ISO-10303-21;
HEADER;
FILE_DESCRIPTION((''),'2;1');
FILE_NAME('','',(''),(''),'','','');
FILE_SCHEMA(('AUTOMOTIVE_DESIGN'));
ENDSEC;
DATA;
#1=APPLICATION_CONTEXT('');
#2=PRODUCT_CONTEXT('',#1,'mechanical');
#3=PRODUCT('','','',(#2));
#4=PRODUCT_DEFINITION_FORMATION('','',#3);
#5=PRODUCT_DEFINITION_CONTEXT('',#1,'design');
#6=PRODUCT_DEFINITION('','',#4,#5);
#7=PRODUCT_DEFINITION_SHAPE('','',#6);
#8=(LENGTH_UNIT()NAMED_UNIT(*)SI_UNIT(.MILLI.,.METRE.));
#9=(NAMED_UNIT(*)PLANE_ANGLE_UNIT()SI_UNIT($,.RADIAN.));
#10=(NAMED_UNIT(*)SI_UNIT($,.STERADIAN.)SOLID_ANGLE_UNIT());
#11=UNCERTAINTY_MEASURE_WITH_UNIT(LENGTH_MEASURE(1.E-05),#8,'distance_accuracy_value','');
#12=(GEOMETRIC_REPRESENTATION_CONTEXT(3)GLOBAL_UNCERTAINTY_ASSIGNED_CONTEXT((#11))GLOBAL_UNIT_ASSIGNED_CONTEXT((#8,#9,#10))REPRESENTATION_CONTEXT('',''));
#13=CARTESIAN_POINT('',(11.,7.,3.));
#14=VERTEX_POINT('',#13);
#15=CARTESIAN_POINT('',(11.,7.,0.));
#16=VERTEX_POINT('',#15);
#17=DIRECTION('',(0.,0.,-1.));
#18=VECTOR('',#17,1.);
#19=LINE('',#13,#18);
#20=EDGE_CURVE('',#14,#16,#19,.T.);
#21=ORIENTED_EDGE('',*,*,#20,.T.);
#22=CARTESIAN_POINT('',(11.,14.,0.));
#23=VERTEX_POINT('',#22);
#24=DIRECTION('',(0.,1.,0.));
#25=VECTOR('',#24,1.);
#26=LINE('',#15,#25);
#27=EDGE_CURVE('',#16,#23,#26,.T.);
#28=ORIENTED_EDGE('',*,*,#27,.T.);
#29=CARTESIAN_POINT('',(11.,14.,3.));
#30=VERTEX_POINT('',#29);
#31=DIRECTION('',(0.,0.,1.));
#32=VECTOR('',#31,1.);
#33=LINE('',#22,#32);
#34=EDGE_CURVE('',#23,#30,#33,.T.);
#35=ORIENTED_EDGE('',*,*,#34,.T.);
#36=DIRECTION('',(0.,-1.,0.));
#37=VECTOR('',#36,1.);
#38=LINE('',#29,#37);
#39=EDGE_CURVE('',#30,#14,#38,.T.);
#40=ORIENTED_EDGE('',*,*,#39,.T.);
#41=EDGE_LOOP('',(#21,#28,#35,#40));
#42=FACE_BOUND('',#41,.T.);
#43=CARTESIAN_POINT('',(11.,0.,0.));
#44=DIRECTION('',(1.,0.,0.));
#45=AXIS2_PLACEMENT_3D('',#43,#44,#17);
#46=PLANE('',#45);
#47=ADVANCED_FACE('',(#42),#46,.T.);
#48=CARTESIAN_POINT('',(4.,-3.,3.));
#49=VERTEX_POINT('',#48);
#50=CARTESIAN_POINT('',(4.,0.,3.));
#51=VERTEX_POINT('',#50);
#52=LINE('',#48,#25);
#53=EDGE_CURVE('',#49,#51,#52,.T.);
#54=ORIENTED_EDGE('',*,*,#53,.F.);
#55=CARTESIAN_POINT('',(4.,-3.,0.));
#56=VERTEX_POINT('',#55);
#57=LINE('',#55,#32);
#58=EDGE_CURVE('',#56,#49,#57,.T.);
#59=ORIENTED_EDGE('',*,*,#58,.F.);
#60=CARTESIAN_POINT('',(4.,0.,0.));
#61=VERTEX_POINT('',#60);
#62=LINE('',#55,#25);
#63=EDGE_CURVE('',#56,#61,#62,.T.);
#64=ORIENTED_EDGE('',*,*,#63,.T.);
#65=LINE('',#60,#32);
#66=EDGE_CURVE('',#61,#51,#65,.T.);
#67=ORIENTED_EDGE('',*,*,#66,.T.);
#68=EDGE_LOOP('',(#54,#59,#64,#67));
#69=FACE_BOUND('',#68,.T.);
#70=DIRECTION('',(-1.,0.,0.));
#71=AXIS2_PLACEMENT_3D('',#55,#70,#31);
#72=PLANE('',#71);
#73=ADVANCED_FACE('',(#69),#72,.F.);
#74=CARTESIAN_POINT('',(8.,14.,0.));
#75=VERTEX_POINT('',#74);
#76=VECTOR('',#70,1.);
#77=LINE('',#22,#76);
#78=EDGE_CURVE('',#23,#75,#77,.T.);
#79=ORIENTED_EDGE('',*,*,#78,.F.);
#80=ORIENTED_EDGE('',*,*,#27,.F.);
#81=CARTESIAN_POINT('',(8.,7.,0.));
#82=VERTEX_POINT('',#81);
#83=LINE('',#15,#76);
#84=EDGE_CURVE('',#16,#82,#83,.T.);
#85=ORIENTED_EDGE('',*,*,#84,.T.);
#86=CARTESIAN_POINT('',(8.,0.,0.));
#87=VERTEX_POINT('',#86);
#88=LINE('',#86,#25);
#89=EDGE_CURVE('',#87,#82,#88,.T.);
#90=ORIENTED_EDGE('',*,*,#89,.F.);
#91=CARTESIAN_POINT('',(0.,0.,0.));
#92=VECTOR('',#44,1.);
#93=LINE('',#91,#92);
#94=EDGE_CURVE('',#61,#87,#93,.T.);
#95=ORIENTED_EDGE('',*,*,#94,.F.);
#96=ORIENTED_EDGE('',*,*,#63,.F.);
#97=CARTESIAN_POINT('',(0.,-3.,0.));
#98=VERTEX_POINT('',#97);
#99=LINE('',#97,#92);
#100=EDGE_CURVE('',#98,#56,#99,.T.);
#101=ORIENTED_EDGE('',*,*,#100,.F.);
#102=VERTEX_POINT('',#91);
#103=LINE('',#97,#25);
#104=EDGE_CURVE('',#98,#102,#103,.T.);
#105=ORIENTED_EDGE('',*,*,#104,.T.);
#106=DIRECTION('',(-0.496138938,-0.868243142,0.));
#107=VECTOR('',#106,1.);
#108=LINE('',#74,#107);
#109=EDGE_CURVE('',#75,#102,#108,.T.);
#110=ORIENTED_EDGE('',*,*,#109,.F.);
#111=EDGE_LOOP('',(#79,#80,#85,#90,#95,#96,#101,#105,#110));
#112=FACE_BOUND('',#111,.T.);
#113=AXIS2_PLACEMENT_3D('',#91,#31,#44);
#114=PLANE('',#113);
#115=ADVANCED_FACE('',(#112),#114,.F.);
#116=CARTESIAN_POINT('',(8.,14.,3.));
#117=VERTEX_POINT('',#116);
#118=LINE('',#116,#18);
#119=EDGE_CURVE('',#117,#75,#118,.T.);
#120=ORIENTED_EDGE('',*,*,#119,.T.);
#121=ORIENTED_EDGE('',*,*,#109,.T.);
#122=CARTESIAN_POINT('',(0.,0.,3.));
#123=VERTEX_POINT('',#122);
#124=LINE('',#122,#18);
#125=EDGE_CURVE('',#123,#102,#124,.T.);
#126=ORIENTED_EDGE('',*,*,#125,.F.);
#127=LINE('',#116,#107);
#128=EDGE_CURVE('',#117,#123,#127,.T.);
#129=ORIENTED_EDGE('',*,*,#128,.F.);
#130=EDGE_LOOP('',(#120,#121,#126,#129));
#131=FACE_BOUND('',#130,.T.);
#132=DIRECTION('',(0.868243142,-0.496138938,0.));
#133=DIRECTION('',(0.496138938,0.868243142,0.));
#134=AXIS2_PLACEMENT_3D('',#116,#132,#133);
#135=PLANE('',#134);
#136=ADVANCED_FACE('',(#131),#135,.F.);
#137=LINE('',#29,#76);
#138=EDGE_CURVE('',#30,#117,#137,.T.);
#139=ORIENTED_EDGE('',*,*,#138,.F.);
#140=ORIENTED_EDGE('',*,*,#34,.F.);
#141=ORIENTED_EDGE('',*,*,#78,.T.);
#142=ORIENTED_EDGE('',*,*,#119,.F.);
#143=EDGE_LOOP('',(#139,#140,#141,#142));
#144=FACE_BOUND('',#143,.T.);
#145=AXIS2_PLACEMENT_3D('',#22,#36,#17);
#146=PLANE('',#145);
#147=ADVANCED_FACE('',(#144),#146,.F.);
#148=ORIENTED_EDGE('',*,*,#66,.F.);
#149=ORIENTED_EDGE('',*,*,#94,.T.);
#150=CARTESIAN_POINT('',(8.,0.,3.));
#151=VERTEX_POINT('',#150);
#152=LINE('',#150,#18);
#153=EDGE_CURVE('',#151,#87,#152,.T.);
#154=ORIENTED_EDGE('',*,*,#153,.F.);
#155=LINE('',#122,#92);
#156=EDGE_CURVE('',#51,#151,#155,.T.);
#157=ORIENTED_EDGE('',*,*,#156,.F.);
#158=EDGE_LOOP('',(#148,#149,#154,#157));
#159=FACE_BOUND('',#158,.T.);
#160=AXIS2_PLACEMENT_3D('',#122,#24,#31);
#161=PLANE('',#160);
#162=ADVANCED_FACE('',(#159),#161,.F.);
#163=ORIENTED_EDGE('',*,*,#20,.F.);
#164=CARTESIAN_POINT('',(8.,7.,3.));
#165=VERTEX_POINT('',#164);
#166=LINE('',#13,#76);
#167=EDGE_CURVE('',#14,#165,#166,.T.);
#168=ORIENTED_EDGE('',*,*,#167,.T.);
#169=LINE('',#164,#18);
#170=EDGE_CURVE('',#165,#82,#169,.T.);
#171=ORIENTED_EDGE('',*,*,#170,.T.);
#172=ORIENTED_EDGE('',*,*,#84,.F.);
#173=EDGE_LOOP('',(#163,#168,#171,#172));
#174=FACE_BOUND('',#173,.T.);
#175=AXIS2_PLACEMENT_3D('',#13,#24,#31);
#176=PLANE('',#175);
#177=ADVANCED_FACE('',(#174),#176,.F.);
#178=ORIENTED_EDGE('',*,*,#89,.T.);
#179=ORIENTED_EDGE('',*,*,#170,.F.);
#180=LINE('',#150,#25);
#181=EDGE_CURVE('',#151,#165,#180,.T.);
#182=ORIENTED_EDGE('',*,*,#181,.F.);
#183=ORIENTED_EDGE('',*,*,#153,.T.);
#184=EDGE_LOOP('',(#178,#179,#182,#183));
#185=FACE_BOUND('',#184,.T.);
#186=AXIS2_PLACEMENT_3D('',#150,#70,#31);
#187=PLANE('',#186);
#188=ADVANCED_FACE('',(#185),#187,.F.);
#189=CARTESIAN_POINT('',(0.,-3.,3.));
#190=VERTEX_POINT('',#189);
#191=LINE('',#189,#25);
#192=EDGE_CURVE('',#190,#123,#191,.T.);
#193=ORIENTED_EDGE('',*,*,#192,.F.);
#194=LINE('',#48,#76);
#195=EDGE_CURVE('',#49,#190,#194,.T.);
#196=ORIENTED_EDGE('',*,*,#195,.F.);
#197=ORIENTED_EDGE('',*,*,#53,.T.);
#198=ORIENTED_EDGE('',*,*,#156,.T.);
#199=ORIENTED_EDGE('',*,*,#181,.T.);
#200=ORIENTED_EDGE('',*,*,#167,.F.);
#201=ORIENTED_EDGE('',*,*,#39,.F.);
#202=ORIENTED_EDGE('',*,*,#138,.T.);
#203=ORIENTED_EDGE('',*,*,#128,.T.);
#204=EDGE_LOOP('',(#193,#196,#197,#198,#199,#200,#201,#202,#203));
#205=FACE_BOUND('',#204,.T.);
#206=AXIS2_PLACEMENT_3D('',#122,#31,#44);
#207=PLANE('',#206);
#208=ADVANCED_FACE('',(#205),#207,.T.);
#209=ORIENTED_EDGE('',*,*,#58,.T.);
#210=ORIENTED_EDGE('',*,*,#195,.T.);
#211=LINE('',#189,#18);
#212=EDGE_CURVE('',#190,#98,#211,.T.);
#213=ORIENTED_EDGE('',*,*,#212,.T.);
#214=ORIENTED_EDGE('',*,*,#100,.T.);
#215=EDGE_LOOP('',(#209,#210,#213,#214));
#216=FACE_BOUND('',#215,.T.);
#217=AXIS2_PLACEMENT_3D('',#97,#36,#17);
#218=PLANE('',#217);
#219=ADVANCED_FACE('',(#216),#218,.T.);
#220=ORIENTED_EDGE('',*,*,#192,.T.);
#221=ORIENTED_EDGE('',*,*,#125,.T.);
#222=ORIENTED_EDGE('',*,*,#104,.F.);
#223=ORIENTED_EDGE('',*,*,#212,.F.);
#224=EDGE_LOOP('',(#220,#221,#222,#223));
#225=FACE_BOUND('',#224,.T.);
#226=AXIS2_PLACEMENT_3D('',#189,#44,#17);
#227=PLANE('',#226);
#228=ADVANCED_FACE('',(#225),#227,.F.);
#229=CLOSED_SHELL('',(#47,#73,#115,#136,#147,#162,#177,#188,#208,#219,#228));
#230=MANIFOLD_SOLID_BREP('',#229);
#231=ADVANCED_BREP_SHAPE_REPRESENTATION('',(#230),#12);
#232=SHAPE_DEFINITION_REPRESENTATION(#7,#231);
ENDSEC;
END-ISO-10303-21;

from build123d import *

# Parameters (mm, degrees)
EXTRUDE_1_DEPTH = 3
SKETCH_2_W      = 4
SKETCH_2_H      = 3
EXTRUDE_2_DEPTH = 3
SKETCH_3_W      = 3
SKETCH_3_H      = 7
EXTRUDE_3_DEPTH = 3


with BuildPart() as part:
    # 草图1 → 凸台-拉伸1 (new body)
    with BuildSketch(Plane.XY):
        Polygon((0, 0), (8, 0), (8, 14), align=None)
    extrude(amount=EXTRUDE_1_DEPTH)

    # 草图2 → 凸台-拉伸2 (add)
    with BuildSketch(Plane.XZ):
        with Locations((2, 1.5)):
            Rectangle(SKETCH_2_W, SKETCH_2_H)
    extrude(amount=EXTRUDE_2_DEPTH)

    # 草图3 → 凸台-拉伸3 (add)
    with BuildSketch(Plane(origin=(8, 0, 0), x_dir=(0, 0, -1), z_dir=(1, 0, 0))):
        with Locations((-1.5, 10.5)):
            Rectangle(SKETCH_3_W, SKETCH_3_H)
    extrude(amount=EXTRUDE_3_DEPTH)


solid = part.part
